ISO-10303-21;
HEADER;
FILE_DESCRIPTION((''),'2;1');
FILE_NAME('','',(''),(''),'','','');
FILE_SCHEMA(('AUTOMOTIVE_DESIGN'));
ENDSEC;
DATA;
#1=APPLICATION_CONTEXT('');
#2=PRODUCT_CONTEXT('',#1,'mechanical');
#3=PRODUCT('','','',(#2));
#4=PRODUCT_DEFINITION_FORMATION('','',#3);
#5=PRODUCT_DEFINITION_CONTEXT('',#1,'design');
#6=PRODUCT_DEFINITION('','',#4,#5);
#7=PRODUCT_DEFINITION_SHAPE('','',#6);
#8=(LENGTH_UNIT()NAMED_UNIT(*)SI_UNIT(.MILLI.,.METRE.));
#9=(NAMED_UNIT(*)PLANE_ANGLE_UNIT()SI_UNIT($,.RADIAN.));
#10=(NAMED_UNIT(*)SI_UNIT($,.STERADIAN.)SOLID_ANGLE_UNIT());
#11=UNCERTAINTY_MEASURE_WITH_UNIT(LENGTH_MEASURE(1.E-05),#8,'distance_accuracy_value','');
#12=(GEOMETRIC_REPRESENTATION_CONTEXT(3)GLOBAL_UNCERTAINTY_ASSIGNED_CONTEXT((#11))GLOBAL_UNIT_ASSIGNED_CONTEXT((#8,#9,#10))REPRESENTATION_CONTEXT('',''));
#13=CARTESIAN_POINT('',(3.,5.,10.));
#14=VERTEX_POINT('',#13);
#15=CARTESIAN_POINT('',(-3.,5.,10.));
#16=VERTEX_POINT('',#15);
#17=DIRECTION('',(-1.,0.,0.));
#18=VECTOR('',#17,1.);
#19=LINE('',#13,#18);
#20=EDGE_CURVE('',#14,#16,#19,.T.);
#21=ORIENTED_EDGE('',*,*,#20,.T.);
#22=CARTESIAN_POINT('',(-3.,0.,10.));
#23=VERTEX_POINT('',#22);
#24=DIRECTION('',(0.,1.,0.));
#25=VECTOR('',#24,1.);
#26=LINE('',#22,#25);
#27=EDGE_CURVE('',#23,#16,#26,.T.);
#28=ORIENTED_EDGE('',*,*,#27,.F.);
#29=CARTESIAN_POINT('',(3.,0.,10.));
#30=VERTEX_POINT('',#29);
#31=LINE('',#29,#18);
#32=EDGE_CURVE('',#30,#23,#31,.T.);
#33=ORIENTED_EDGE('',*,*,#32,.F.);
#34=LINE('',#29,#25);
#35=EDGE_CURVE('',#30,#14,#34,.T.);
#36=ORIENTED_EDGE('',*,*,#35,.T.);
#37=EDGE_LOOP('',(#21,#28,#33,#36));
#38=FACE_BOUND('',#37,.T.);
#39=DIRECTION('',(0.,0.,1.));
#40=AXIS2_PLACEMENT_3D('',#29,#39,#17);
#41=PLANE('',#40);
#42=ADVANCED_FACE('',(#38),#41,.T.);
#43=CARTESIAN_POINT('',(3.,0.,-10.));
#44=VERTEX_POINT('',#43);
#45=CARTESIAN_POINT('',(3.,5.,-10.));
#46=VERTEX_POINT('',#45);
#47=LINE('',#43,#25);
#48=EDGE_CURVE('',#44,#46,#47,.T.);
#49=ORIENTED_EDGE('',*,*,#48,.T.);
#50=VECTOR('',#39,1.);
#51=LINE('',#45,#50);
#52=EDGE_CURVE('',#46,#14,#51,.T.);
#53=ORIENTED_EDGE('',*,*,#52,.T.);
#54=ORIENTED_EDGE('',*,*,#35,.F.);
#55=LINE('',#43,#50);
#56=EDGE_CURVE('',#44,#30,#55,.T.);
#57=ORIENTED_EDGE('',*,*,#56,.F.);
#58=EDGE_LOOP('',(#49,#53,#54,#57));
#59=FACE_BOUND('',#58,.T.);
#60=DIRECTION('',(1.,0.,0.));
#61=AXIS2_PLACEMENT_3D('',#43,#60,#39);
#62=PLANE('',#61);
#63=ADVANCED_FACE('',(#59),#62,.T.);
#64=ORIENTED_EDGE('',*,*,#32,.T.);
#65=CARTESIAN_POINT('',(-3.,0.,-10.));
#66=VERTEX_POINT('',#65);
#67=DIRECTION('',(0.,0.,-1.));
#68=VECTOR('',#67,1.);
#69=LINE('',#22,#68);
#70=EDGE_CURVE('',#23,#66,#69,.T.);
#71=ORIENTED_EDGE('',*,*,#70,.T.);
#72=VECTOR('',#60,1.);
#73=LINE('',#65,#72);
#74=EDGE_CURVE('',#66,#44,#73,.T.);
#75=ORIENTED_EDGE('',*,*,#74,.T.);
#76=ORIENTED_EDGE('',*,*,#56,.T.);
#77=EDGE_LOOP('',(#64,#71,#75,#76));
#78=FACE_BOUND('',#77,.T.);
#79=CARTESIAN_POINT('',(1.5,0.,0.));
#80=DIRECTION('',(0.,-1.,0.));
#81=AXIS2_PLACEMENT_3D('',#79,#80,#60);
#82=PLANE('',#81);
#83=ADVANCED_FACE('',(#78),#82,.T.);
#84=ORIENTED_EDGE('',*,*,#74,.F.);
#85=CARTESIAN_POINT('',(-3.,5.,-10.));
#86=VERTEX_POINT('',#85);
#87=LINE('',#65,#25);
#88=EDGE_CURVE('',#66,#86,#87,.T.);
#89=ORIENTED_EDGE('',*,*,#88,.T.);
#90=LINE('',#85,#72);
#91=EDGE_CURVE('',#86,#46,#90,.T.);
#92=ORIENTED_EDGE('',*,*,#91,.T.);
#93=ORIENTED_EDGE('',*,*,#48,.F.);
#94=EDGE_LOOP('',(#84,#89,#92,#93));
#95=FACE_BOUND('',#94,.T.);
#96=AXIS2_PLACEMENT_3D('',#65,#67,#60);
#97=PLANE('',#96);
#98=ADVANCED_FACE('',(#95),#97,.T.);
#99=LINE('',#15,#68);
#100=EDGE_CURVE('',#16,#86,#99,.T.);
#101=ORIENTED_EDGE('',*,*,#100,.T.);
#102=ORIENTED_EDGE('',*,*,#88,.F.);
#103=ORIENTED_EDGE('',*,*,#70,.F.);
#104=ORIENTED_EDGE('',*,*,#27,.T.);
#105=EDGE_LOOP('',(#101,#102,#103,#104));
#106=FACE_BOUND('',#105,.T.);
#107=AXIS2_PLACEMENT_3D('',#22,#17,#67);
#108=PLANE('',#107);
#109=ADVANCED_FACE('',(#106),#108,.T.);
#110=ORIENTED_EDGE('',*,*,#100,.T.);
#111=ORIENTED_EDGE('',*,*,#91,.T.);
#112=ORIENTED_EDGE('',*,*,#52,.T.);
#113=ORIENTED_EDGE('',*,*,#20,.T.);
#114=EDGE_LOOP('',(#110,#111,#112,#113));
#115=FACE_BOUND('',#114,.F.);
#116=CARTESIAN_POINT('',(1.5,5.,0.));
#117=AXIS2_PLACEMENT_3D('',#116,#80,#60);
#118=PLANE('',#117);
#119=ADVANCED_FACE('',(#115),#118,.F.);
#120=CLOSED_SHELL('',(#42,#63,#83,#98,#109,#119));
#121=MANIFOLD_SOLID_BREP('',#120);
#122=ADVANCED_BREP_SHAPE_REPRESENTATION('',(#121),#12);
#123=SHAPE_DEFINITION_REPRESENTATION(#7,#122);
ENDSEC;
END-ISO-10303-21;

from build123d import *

# Parameters (mm, degrees)
F1_DEPTH = 5


with BuildPart() as f1:
    # F0 (on Front) → F1 (new body)
    with BuildSketch(Plane.XZ):
        Polygon((0, 10), (0, 0), (0, -10), (3, -10), (3, 10), align=None)
        Polygon((0, -10), (0, 0), (0, 10), (-3, 10), (-3, -10), align=None)
    extrude(amount=-F1_DEPTH)


solid = f1.part
